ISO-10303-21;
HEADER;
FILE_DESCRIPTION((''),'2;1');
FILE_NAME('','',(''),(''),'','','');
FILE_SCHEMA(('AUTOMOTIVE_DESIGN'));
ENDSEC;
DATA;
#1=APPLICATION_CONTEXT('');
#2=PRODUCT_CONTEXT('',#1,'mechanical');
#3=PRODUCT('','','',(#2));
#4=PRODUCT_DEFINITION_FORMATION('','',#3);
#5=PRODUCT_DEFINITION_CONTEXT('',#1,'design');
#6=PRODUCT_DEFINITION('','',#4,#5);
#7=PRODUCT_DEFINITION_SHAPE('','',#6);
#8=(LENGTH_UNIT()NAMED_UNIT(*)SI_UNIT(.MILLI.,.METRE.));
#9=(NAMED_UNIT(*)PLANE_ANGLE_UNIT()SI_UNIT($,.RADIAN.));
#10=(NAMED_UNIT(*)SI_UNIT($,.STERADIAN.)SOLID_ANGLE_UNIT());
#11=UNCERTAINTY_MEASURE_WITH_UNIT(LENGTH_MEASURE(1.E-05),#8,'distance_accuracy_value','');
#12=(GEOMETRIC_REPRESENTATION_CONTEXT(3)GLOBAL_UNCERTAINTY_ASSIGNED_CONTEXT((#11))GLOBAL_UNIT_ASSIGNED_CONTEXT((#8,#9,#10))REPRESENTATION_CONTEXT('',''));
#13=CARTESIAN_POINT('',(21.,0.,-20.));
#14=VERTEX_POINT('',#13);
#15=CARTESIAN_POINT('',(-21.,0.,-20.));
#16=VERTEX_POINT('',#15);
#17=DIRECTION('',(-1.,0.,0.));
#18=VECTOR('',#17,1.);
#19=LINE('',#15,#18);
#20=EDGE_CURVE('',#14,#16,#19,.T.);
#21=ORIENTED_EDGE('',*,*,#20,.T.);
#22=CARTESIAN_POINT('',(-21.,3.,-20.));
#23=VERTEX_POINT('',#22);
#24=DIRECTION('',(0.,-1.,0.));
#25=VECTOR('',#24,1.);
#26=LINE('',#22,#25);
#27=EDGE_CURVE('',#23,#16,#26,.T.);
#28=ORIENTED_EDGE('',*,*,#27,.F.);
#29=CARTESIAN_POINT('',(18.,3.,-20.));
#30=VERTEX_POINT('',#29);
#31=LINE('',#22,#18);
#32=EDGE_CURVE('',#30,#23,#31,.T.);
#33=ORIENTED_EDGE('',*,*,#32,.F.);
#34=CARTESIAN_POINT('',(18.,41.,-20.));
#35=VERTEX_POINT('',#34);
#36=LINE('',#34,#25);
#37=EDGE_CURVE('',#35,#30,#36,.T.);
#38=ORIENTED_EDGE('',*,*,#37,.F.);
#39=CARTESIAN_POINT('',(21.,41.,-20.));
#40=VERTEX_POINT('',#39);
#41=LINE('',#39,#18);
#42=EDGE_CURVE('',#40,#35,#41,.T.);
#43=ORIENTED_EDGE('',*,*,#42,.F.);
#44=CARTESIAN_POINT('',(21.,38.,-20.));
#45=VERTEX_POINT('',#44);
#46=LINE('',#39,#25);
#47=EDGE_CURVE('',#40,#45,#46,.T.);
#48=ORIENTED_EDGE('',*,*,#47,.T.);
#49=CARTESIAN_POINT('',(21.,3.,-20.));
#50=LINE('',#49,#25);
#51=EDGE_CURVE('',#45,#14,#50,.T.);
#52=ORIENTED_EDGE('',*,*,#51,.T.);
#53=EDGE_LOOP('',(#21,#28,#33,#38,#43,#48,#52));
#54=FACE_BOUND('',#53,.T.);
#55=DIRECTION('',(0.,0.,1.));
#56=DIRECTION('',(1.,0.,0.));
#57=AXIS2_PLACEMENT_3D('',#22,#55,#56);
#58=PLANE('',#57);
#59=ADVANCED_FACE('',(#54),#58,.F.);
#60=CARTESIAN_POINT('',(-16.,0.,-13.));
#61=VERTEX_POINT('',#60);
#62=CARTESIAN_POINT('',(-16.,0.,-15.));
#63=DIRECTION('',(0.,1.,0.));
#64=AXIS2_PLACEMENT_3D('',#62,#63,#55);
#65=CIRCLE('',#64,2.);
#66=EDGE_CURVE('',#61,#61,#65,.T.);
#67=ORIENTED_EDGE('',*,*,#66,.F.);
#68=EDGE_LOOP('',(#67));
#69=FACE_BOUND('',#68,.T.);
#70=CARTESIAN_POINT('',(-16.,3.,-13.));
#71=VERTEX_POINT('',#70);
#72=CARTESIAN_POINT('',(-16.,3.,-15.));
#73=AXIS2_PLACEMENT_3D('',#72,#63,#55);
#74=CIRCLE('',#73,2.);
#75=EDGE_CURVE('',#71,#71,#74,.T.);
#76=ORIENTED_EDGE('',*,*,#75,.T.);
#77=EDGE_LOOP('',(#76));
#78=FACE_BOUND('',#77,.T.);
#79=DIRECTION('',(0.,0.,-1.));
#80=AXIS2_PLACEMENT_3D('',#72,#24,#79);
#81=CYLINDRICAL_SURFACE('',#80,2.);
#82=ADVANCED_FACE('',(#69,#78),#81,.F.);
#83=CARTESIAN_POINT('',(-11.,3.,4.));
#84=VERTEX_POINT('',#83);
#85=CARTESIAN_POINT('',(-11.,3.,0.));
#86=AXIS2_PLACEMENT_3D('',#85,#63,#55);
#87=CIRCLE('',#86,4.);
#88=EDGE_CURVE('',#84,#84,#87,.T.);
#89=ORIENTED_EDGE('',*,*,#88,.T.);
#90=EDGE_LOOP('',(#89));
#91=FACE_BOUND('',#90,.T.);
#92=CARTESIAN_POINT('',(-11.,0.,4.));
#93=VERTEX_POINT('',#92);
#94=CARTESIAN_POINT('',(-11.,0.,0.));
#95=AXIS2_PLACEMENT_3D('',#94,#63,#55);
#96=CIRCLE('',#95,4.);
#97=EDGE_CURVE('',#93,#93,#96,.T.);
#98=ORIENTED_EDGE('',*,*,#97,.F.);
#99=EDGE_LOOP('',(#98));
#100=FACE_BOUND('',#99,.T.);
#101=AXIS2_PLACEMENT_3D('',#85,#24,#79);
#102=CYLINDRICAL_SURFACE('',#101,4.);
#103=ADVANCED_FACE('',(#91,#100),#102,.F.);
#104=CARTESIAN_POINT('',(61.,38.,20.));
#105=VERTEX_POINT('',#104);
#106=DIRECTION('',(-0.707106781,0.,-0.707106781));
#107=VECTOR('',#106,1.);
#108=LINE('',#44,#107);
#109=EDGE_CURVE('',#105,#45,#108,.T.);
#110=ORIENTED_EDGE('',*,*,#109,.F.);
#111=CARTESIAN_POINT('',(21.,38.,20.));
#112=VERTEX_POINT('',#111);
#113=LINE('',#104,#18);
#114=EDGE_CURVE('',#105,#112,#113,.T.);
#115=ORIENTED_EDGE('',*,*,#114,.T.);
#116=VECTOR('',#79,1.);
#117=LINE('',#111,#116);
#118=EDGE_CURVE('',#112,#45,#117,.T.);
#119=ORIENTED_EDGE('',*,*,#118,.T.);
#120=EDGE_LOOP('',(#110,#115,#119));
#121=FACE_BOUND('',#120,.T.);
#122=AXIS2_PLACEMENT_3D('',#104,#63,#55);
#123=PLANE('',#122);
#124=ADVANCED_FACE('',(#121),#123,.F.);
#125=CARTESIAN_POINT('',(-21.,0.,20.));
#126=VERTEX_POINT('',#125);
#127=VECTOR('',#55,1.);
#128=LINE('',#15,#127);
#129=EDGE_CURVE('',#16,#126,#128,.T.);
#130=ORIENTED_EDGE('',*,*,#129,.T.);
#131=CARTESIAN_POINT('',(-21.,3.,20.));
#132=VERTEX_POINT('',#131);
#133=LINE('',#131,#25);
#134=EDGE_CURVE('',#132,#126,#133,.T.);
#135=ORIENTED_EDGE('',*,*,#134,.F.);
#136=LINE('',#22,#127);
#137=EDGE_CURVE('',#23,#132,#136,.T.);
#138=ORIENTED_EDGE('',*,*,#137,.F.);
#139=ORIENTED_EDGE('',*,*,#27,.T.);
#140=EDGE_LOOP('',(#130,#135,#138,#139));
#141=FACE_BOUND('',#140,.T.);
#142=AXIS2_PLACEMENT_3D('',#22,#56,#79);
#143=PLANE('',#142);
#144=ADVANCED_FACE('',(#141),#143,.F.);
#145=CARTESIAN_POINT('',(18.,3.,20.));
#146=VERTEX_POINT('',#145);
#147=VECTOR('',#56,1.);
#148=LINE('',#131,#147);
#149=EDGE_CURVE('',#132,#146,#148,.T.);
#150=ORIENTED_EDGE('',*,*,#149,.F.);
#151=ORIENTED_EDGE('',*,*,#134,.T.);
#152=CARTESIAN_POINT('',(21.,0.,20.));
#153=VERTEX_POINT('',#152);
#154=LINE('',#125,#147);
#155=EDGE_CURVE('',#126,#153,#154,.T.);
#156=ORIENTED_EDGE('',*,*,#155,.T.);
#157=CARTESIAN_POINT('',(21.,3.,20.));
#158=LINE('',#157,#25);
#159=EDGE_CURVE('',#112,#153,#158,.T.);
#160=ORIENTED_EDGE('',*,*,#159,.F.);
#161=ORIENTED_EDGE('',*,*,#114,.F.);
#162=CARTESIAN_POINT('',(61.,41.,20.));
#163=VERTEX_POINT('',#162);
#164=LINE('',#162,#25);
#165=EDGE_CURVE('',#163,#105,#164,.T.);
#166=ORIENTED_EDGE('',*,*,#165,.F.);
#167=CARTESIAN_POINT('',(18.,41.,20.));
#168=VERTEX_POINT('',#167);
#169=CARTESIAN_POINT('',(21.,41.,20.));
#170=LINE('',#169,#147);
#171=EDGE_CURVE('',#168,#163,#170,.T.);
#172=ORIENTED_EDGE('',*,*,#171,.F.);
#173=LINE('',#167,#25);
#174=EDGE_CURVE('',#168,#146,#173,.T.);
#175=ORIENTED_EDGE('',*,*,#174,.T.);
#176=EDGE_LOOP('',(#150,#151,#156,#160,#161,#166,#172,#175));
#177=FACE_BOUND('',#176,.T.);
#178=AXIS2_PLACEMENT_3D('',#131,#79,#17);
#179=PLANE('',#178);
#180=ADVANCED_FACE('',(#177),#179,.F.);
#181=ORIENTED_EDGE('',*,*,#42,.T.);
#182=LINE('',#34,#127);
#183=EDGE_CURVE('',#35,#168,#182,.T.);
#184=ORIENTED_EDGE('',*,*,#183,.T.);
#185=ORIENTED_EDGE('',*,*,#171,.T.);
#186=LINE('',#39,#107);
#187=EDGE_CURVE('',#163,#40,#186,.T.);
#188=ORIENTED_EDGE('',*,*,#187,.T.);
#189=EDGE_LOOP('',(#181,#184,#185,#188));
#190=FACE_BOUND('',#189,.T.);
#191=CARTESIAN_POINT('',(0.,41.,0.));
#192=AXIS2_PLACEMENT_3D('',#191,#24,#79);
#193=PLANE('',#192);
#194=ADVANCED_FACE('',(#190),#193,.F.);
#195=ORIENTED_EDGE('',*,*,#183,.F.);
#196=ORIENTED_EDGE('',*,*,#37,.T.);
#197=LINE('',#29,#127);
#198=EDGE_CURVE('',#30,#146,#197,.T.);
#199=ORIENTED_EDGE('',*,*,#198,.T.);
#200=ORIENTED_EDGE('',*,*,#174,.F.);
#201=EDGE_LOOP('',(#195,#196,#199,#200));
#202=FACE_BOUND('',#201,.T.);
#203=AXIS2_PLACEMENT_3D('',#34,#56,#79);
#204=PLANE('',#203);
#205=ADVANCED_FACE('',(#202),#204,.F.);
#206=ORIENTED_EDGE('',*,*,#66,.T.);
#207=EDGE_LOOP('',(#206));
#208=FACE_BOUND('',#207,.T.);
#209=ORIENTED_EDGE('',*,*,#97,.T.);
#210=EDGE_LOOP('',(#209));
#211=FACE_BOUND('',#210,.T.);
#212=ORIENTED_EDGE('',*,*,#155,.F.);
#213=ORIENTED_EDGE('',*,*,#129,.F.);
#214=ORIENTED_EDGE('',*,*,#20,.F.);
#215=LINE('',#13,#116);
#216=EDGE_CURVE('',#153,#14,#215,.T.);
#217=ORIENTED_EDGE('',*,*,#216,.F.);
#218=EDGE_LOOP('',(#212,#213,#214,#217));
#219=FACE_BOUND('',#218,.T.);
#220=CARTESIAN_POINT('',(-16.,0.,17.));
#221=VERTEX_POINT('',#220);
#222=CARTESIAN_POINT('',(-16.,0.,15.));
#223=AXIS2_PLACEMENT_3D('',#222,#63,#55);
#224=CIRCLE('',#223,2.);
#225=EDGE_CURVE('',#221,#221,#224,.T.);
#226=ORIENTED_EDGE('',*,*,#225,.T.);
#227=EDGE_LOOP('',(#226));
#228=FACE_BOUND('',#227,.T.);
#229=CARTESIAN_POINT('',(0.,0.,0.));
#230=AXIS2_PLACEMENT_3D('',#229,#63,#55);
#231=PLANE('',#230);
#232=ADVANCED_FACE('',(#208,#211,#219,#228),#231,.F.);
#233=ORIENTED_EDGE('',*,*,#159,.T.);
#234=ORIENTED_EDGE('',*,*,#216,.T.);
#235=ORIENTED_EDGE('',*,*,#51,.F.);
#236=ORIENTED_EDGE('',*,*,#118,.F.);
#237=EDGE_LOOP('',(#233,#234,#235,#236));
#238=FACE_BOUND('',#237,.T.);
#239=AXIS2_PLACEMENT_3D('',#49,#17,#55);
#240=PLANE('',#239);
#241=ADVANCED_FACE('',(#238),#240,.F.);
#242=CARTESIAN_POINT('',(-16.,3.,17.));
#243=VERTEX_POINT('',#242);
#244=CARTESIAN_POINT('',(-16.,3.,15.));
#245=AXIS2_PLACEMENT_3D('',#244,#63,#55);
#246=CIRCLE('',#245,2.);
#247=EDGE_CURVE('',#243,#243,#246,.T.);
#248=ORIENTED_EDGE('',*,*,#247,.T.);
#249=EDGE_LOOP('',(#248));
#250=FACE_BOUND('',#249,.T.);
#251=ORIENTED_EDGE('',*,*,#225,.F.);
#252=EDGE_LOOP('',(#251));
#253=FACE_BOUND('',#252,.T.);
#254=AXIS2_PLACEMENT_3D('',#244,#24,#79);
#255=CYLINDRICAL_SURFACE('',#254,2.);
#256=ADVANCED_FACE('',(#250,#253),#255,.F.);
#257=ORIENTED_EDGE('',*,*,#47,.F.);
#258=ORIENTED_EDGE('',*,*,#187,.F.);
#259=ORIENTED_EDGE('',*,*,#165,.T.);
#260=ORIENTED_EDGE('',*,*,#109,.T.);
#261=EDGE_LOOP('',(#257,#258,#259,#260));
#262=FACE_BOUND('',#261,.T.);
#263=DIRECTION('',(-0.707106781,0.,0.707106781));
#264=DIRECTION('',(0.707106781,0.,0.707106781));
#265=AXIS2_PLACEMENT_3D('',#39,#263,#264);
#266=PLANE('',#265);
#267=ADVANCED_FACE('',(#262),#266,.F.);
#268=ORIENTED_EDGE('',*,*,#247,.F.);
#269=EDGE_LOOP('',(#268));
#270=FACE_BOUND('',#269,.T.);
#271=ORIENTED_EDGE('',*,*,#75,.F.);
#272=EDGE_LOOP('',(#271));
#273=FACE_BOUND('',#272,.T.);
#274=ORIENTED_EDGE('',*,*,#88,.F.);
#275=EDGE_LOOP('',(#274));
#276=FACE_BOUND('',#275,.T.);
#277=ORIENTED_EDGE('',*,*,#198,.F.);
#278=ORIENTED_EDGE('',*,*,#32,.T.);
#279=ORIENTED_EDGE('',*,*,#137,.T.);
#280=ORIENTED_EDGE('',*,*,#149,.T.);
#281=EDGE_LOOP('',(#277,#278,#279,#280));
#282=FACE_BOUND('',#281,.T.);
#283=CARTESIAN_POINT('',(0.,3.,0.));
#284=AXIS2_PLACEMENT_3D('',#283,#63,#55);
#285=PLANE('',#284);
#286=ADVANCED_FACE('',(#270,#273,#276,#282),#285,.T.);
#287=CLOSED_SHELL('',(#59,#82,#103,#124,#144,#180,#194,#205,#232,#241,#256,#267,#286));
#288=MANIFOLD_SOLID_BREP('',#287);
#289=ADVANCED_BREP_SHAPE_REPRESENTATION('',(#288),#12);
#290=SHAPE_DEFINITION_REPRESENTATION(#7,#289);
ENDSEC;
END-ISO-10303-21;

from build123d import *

# Parameters (mm, degrees)
SKETCH1_W           = 42
SKETCH1_H           = 40
SKETCH1_R           = 2
SKETCH1_R_2         = 4
BOSS_EXTRUDE1_DEPTH = 3
SKETCH2_W           = 3
SKETCH2_H           = 40
BOSS_EXTRUDE2_DEPTH = 38
SKETCH3_W           = 40
SKETCH3_H           = 3
BOSS_EXTRUDE3_DEPTH = 40
CUT_EXTRUDE3_DEPTH  = 3


with BuildPart() as part:
    # Sketch1 → Boss-Extrude1 (new body)
    with BuildSketch(Plane(origin=(0, 0, 0), x_dir=(1, 0, 0), z_dir=(0, 1, 0))):
        Rectangle(SKETCH1_W, SKETCH1_H)
        with Locations(Location((-16, 15, 0), (0, 0, 270))):
            Circle(SKETCH1_R, mode=Mode.SUBTRACT)
        with Locations(Location((-16, -15, 0), (0, 0, 270))):
            Circle(SKETCH1_R, mode=Mode.SUBTRACT)
        with Locations(Location((-11, 0, 0), (0, 0, 270))):
            Circle(SKETCH1_R_2, mode=Mode.SUBTRACT)
    extrude(amount=BOSS_EXTRUDE1_DEPTH)

    # Sketch2 → Boss-Extrude2 (add)
    with BuildSketch(Plane(origin=(0, 3, 0), x_dir=(1, 0, 0), z_dir=(0, 1, 0))):
        with Locations((19.5, 0)):
            Rectangle(SKETCH2_W, SKETCH2_H)
    extrude(amount=BOSS_EXTRUDE2_DEPTH)

    # Sketch3 → Boss-Extrude3 (add)
    with BuildSketch(Plane(origin=(21, 0, 0), x_dir=(0, 0, -1), z_dir=(1, 0, 0))):
        with Locations((0, 39.5)):
            Rectangle(SKETCH3_W, SKETCH3_H)
    extrude(amount=BOSS_EXTRUDE3_DEPTH)

    # Sketch8 → Cut-Extrude3 (cut)
    with BuildSketch(Plane.XZ.offset(-38)):
        Polygon((21, -20), (61, 20), (61, -20), align=None)
    extrude(amount=-CUT_EXTRUDE3_DEPTH, mode=Mode.SUBTRACT)


solid = part.part
